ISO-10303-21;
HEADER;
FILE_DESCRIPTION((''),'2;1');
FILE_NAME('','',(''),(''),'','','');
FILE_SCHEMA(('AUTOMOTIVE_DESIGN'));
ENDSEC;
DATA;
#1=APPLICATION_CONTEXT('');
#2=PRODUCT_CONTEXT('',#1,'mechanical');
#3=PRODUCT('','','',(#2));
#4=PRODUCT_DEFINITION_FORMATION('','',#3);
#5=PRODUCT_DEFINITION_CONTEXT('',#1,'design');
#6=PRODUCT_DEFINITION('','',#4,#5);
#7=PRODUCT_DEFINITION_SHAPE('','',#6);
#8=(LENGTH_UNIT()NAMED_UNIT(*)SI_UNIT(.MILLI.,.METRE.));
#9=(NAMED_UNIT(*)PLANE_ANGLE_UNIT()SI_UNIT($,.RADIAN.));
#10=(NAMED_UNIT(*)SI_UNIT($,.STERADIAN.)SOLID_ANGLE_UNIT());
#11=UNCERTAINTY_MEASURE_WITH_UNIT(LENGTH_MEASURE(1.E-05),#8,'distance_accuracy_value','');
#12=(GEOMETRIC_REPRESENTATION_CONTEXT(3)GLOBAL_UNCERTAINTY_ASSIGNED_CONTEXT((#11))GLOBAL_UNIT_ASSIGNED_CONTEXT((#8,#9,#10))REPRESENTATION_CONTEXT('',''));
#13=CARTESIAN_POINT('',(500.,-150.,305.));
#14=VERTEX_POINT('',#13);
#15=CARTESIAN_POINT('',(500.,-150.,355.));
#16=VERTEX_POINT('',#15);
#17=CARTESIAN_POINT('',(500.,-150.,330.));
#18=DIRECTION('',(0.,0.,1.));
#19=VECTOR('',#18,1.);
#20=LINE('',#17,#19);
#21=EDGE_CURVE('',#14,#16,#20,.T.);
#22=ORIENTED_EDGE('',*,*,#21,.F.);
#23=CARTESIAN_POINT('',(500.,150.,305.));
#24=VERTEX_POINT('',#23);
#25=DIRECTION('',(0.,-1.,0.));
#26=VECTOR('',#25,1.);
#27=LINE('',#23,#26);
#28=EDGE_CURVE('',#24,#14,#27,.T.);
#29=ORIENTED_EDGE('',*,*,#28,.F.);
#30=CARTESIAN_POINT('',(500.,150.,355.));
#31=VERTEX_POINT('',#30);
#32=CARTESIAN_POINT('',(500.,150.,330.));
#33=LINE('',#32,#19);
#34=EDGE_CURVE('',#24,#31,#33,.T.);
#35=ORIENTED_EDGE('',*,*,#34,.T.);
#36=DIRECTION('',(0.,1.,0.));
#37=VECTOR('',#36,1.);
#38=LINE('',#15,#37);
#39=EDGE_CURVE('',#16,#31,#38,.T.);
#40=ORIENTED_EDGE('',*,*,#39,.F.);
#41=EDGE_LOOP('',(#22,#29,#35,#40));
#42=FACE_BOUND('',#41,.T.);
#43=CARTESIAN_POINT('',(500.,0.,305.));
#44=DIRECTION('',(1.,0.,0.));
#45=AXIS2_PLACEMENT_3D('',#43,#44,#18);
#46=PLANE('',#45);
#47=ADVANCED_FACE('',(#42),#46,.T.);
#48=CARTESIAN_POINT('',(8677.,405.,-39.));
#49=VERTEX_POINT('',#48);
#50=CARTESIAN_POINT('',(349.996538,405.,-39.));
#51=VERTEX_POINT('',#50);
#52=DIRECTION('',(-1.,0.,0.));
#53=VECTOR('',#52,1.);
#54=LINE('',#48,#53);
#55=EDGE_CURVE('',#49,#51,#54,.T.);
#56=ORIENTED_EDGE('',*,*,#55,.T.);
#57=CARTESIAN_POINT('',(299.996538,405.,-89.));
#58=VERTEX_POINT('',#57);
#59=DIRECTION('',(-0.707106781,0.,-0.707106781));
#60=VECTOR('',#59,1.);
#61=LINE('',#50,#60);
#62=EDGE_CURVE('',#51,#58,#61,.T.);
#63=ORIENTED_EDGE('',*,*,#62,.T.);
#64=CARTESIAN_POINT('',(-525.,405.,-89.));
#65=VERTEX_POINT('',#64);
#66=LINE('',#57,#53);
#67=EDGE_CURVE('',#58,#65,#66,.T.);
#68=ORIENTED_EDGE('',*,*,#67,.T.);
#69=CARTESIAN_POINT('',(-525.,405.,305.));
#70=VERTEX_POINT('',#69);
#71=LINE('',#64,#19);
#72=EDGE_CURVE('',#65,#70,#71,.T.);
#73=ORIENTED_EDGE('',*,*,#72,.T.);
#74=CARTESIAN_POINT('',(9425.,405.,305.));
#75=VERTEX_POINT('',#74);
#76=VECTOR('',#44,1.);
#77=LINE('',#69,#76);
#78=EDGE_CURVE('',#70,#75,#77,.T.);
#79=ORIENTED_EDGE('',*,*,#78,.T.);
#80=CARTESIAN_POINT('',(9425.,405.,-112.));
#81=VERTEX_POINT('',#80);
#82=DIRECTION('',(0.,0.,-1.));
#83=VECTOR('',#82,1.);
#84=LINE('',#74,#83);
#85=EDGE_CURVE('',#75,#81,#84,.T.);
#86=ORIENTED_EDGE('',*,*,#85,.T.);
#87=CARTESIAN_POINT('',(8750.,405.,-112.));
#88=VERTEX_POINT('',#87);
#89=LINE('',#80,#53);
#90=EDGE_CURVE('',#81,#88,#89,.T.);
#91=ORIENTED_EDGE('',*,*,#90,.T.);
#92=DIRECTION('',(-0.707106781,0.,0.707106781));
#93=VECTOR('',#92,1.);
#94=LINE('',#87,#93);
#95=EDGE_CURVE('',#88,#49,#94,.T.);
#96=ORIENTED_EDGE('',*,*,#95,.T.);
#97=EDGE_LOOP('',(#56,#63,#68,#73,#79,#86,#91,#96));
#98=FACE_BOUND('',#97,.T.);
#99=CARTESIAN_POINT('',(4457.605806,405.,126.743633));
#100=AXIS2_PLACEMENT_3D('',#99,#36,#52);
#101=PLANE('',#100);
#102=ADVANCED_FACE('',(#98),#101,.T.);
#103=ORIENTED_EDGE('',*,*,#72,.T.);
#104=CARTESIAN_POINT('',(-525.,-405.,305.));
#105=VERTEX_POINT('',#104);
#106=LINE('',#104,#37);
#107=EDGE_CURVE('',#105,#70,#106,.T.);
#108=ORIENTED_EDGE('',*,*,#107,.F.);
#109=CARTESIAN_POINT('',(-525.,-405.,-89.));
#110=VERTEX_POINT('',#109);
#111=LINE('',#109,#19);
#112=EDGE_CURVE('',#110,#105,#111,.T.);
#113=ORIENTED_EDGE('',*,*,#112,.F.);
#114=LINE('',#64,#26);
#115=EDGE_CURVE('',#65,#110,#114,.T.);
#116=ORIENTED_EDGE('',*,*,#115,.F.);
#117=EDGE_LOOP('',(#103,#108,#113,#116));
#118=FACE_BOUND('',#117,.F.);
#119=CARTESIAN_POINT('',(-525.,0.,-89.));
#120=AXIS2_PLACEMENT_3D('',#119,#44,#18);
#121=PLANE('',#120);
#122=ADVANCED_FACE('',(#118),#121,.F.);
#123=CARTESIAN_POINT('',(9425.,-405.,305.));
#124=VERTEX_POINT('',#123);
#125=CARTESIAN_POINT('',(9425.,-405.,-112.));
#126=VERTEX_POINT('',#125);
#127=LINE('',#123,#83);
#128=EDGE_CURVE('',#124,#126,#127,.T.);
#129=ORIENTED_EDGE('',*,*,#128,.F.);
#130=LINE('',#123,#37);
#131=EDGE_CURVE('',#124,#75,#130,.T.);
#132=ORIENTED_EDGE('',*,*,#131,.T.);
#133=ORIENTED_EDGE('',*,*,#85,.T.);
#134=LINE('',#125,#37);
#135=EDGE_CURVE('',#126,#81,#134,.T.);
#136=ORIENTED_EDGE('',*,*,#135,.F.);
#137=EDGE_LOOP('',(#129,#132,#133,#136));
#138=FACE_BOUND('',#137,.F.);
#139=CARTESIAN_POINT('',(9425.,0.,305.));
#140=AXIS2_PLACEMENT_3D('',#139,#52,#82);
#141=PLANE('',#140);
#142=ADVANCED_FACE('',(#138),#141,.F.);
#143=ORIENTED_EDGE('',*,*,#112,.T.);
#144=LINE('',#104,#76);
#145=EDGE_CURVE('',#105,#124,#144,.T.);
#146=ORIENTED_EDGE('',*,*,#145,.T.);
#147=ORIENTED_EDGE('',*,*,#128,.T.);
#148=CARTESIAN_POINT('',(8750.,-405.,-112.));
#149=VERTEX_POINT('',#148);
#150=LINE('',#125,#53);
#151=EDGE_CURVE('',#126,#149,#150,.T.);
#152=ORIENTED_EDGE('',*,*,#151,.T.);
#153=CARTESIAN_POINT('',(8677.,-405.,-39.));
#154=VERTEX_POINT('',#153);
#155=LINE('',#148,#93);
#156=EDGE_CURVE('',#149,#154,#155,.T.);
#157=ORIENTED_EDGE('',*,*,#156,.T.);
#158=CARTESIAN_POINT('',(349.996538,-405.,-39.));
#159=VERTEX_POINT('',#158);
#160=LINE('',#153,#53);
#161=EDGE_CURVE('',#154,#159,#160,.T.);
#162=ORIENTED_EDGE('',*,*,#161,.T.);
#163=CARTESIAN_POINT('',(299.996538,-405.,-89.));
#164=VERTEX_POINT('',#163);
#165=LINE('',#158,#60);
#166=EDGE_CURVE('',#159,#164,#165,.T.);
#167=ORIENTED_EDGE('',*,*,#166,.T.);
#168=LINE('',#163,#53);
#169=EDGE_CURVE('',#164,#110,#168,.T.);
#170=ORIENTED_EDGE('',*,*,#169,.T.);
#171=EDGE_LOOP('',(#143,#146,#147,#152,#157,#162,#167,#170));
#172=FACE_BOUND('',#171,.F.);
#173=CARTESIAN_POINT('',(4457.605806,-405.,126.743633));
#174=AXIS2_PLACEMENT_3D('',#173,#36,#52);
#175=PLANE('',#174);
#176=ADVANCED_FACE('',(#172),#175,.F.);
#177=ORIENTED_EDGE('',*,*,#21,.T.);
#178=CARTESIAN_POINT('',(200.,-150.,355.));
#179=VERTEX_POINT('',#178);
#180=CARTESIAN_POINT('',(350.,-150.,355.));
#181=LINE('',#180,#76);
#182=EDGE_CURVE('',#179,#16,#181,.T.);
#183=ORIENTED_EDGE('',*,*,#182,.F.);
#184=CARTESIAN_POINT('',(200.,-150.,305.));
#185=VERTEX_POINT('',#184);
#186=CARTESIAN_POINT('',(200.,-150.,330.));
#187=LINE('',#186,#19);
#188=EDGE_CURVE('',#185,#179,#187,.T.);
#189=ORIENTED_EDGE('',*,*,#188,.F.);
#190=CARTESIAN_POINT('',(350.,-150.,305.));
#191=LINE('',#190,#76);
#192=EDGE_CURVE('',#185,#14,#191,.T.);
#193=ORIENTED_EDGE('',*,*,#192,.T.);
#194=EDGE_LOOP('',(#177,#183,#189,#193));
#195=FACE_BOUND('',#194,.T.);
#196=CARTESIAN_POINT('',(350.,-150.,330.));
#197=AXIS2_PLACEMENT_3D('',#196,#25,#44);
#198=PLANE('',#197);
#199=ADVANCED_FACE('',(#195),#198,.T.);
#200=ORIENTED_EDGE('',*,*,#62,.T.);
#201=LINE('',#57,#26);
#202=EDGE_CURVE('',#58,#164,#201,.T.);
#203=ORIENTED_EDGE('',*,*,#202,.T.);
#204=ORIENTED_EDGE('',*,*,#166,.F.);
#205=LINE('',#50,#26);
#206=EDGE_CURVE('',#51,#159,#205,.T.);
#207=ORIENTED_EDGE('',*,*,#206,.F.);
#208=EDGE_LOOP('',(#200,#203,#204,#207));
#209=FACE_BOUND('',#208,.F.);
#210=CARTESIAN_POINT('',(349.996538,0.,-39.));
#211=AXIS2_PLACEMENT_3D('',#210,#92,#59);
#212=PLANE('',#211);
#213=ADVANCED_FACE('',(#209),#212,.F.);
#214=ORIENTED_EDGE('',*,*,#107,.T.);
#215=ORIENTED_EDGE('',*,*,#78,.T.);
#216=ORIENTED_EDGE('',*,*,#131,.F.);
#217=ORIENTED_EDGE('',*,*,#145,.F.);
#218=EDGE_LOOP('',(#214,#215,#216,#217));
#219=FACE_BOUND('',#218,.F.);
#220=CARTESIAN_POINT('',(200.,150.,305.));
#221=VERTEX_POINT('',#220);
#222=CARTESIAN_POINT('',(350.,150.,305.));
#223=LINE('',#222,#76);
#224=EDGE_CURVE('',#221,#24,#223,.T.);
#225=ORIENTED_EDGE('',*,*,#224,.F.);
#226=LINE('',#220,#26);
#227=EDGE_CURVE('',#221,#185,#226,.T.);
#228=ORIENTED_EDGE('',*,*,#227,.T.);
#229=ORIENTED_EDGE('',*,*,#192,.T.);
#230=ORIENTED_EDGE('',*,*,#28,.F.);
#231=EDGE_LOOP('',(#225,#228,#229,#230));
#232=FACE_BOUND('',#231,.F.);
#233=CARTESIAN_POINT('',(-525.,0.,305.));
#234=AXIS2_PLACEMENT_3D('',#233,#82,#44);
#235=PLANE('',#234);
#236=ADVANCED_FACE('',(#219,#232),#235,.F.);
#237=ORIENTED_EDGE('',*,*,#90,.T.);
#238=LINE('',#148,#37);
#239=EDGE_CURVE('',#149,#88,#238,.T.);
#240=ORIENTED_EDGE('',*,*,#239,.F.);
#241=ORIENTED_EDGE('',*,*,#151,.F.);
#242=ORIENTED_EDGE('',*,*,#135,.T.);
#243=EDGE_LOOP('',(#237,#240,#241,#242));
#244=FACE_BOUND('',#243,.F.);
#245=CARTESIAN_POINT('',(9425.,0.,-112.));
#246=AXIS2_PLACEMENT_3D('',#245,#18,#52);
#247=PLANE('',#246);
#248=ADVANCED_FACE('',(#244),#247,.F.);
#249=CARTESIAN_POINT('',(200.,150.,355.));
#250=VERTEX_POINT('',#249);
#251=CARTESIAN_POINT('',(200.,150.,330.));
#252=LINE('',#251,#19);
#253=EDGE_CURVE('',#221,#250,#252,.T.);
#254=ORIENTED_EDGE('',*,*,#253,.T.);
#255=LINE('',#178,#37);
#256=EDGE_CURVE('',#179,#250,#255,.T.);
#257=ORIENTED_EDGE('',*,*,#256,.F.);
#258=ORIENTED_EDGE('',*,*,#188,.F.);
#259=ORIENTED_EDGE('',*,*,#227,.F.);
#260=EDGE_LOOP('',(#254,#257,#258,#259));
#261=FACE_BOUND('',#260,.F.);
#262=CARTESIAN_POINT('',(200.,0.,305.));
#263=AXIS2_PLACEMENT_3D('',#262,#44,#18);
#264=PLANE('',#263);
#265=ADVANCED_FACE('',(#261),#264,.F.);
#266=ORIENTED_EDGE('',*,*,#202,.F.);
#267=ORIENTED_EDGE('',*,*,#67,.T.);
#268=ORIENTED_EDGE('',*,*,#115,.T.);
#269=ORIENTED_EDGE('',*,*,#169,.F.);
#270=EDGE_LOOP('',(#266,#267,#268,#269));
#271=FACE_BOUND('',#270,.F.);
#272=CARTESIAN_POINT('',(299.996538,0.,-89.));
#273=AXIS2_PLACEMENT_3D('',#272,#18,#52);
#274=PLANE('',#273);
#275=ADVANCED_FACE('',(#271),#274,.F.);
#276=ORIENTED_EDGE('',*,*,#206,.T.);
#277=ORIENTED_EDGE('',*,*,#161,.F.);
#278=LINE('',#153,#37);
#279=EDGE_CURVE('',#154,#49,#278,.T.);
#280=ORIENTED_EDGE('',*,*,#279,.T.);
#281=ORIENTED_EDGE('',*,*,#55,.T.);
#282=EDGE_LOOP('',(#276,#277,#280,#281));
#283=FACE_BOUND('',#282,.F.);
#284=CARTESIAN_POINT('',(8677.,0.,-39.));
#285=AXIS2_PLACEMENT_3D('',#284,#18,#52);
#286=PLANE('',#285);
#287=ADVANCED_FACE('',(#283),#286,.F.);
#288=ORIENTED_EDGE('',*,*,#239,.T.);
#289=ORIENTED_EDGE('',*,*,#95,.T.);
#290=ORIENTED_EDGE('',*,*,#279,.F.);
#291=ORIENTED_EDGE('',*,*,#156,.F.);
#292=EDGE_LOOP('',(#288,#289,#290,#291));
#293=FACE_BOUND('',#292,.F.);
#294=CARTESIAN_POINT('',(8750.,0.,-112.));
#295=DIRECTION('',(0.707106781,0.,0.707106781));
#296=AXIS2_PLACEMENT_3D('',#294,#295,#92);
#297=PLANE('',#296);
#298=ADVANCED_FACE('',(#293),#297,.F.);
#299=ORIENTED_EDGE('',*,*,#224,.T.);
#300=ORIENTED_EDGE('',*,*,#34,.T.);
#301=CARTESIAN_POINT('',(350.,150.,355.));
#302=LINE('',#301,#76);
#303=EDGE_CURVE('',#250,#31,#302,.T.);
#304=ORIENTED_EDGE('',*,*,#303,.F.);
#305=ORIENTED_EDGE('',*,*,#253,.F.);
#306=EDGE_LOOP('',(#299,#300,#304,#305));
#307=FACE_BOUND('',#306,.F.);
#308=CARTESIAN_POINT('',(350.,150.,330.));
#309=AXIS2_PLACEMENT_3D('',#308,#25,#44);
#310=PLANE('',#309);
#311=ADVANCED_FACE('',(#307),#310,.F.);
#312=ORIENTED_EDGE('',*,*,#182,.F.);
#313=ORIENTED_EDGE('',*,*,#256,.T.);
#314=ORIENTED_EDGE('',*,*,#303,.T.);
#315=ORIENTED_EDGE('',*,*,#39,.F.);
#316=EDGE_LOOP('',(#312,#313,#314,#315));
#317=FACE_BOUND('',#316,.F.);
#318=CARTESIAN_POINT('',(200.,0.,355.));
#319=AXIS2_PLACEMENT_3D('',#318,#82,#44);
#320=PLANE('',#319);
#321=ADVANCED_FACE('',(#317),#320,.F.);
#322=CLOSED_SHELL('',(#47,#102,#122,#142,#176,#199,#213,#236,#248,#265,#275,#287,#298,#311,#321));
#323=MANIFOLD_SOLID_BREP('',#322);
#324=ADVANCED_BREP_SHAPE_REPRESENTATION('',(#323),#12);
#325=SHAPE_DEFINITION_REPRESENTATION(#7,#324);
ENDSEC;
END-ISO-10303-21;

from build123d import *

# Parameters (mm, degrees)
SKETCH027_W      = 300
SKETCH027_H      = 50
EXTRUDE025_DEPTH = 150
EXTRUDE012_DEPTH = 405


with BuildPart() as extrude025:
    # Sketch027 → Extrude025 (new body, symmetric)
    with BuildSketch(Plane.XZ):
        with Locations((350, 330)):
            Rectangle(SKETCH027_W, SKETCH027_H)
    extrude(amount=EXTRUDE025_DEPTH, both=True)


with BuildPart() as fusion014:
    # Sketch020 → Extrude012 (new body, symmetric)
    with BuildSketch(Plane.XZ):
        Polygon((-525, -89), (-525, 305), (9425, 305), (9425, -112), (8750, -112), (8677, -39), (349.996538, -39), (299.996538, -89), align=None)
    extrude(amount=EXTRUDE012_DEPTH, both=True)

    # Fusion014: union Extrude025
    add(extrude025.part)


solid = fusion014.part
